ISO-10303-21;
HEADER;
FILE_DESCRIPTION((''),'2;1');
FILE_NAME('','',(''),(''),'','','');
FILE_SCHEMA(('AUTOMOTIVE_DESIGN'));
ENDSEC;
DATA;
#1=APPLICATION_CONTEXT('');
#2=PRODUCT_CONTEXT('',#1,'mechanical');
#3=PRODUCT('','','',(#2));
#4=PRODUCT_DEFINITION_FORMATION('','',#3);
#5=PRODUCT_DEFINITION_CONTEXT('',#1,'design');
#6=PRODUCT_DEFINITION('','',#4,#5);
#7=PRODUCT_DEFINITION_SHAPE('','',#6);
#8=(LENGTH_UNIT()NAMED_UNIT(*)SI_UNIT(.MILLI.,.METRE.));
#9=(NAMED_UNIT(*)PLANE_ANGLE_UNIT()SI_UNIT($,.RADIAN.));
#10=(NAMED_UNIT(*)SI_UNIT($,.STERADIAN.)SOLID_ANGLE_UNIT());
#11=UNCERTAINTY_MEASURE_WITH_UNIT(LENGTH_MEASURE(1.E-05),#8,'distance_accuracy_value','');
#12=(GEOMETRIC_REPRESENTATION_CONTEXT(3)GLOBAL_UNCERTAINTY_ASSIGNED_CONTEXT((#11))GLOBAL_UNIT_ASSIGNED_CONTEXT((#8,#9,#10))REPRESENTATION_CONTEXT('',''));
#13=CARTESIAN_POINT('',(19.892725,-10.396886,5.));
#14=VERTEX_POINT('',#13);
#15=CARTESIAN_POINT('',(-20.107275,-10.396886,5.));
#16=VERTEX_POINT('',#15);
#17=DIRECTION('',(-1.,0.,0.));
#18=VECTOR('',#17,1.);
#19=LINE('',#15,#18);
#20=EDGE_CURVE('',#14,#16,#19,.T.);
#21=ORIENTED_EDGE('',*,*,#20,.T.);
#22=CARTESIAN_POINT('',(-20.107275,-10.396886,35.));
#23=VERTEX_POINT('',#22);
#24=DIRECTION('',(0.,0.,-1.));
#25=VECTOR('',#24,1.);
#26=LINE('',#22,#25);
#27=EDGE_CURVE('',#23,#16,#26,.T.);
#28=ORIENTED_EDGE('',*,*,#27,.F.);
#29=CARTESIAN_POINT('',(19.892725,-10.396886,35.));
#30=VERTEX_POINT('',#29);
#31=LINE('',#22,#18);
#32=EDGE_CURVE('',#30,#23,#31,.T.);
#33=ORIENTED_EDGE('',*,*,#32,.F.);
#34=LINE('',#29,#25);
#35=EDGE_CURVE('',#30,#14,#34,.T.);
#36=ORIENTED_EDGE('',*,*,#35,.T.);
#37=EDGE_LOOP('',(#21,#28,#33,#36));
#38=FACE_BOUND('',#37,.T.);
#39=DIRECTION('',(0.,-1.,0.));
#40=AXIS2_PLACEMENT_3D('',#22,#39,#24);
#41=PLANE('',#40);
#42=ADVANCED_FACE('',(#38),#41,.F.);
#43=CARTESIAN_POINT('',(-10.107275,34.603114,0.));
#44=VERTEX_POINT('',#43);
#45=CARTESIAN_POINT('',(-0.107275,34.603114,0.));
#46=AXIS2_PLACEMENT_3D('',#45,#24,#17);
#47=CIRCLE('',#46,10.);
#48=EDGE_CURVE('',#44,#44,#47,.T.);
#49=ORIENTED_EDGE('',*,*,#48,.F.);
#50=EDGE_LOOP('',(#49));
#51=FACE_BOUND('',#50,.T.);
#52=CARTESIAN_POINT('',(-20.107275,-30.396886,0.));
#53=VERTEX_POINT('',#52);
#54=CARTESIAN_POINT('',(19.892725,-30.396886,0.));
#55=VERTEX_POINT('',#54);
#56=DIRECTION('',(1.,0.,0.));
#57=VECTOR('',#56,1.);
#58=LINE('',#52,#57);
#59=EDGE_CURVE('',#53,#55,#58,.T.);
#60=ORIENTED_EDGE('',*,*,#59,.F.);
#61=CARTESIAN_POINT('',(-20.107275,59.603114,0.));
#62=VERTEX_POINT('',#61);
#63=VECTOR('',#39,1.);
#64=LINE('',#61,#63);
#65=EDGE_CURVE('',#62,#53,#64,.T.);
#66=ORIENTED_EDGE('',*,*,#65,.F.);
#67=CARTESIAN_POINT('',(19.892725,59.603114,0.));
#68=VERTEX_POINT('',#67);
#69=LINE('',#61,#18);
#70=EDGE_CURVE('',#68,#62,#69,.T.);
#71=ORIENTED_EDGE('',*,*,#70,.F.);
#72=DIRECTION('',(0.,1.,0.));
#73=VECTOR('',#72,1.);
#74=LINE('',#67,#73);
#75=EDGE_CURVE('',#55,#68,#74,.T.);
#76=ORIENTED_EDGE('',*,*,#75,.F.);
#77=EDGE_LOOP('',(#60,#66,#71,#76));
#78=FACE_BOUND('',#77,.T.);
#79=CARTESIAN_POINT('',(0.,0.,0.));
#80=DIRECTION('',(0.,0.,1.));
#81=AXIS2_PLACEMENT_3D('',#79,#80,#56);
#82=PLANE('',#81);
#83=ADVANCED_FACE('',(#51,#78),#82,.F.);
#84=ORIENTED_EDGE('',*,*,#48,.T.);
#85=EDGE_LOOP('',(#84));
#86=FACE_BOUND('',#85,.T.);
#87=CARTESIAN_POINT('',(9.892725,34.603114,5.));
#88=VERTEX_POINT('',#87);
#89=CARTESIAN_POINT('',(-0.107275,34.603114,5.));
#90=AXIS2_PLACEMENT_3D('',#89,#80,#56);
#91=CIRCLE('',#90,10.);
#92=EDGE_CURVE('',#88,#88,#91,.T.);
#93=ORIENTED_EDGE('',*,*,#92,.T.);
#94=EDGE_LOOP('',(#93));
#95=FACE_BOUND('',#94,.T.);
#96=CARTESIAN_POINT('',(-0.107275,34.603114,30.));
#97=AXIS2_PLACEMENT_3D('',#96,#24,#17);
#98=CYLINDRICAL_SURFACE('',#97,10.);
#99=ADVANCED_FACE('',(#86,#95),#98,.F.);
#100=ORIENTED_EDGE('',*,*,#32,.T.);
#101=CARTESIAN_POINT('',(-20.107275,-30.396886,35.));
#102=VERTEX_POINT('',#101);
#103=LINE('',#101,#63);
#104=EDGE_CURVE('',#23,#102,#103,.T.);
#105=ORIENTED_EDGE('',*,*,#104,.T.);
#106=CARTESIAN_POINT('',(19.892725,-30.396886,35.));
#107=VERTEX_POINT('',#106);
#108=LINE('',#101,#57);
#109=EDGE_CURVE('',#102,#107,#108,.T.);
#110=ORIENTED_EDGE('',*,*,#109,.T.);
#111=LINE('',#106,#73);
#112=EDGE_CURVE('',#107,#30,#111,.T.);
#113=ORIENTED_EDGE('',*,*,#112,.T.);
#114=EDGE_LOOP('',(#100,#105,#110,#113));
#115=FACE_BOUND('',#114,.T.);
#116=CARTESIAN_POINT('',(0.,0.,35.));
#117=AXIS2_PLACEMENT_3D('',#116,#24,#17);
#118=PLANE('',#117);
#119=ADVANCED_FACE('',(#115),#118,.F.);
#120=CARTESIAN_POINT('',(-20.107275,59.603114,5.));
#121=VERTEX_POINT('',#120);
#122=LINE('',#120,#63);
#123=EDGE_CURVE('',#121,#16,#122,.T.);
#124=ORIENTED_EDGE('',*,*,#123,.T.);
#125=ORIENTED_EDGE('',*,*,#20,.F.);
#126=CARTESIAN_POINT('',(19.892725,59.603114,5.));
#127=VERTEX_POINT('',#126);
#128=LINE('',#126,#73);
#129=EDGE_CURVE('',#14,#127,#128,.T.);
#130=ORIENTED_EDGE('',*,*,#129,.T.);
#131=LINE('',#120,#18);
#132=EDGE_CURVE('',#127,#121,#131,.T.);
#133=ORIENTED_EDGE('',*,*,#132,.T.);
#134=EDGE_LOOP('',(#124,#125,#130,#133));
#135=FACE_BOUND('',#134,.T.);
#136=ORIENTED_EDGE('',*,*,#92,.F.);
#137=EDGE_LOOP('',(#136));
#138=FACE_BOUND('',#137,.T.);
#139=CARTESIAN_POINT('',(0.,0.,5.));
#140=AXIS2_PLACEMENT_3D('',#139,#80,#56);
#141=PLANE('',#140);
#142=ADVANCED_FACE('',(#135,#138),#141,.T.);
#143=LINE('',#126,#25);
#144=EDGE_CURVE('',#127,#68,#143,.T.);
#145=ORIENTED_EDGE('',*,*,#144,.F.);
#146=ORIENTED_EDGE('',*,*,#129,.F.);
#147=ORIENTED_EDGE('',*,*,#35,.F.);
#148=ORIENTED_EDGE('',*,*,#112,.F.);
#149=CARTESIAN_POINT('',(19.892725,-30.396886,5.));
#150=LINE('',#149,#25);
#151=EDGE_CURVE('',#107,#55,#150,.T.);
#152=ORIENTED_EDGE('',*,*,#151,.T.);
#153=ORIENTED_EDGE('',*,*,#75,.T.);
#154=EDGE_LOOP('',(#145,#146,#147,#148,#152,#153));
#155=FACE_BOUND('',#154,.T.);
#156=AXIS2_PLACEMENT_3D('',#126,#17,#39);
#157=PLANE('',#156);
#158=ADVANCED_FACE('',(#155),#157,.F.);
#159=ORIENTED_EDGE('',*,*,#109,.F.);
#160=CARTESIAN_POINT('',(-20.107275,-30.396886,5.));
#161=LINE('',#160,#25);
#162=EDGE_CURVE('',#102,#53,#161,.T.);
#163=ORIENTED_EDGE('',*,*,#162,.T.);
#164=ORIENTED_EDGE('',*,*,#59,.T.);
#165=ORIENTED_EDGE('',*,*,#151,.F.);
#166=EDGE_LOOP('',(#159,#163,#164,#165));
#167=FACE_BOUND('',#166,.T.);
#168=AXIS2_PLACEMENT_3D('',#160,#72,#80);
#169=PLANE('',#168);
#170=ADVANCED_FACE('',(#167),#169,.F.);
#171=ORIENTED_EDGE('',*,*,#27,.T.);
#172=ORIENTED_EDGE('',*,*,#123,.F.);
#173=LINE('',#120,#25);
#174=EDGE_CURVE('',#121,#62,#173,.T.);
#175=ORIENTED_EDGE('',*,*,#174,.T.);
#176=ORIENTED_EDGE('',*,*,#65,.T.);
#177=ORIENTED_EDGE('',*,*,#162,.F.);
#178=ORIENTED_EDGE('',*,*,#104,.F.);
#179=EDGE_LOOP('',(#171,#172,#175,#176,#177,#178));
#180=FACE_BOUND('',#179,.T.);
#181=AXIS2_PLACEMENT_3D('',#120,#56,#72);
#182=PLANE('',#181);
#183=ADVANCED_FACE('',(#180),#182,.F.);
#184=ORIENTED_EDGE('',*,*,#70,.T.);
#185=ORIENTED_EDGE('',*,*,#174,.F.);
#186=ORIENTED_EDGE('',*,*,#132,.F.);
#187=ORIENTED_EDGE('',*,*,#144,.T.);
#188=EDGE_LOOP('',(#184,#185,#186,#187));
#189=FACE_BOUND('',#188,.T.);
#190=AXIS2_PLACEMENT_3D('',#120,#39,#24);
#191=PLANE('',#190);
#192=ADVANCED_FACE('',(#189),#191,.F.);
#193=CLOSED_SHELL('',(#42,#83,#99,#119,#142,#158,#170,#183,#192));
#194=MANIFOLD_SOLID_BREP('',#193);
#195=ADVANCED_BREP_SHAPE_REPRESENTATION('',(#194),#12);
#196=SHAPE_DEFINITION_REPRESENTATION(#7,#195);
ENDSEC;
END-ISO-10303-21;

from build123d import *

# Parameters (mm, degrees)
SKETCH1_W           = 40
SKETCH1_H           = 90
BOSS_EXTRUDE1_DEPTH = 5
SKETCH2_W           = 40
SKETCH2_H           = 20
BOSS_EXTRUDE2_DEPTH = 30
SKETCH3_R           = 10
CUT_EXTRUDE1_DEPTH  = 30


with BuildPart() as part:
    # Sketch1 → Boss-Extrude1 (new body)
    with BuildSketch(Plane.XY):
        with Locations((-0.107274634, 14.603113743)):
            Rectangle(SKETCH1_W, SKETCH1_H)
    extrude(amount=BOSS_EXTRUDE1_DEPTH)

    # Sketch2 → Boss-Extrude2 (add)
    with BuildSketch(Plane.XY.offset(5)):
        with Locations((-0.107274634, -20.396886257)):
            Rectangle(SKETCH2_W, SKETCH2_H)
    extrude(amount=BOSS_EXTRUDE2_DEPTH)

    # Sketch3 → Cut-Extrude1 (cut)
    with BuildSketch(Plane(origin=(0, 0, 0), x_dir=(-1, 0, 0), z_dir=(0, 0, -1))):
        with Locations((0.107274634, 34.603113743)):
            Circle(SKETCH3_R)
    extrude(amount=-CUT_EXTRUDE1_DEPTH, mode=Mode.SUBTRACT)


solid = part.part
